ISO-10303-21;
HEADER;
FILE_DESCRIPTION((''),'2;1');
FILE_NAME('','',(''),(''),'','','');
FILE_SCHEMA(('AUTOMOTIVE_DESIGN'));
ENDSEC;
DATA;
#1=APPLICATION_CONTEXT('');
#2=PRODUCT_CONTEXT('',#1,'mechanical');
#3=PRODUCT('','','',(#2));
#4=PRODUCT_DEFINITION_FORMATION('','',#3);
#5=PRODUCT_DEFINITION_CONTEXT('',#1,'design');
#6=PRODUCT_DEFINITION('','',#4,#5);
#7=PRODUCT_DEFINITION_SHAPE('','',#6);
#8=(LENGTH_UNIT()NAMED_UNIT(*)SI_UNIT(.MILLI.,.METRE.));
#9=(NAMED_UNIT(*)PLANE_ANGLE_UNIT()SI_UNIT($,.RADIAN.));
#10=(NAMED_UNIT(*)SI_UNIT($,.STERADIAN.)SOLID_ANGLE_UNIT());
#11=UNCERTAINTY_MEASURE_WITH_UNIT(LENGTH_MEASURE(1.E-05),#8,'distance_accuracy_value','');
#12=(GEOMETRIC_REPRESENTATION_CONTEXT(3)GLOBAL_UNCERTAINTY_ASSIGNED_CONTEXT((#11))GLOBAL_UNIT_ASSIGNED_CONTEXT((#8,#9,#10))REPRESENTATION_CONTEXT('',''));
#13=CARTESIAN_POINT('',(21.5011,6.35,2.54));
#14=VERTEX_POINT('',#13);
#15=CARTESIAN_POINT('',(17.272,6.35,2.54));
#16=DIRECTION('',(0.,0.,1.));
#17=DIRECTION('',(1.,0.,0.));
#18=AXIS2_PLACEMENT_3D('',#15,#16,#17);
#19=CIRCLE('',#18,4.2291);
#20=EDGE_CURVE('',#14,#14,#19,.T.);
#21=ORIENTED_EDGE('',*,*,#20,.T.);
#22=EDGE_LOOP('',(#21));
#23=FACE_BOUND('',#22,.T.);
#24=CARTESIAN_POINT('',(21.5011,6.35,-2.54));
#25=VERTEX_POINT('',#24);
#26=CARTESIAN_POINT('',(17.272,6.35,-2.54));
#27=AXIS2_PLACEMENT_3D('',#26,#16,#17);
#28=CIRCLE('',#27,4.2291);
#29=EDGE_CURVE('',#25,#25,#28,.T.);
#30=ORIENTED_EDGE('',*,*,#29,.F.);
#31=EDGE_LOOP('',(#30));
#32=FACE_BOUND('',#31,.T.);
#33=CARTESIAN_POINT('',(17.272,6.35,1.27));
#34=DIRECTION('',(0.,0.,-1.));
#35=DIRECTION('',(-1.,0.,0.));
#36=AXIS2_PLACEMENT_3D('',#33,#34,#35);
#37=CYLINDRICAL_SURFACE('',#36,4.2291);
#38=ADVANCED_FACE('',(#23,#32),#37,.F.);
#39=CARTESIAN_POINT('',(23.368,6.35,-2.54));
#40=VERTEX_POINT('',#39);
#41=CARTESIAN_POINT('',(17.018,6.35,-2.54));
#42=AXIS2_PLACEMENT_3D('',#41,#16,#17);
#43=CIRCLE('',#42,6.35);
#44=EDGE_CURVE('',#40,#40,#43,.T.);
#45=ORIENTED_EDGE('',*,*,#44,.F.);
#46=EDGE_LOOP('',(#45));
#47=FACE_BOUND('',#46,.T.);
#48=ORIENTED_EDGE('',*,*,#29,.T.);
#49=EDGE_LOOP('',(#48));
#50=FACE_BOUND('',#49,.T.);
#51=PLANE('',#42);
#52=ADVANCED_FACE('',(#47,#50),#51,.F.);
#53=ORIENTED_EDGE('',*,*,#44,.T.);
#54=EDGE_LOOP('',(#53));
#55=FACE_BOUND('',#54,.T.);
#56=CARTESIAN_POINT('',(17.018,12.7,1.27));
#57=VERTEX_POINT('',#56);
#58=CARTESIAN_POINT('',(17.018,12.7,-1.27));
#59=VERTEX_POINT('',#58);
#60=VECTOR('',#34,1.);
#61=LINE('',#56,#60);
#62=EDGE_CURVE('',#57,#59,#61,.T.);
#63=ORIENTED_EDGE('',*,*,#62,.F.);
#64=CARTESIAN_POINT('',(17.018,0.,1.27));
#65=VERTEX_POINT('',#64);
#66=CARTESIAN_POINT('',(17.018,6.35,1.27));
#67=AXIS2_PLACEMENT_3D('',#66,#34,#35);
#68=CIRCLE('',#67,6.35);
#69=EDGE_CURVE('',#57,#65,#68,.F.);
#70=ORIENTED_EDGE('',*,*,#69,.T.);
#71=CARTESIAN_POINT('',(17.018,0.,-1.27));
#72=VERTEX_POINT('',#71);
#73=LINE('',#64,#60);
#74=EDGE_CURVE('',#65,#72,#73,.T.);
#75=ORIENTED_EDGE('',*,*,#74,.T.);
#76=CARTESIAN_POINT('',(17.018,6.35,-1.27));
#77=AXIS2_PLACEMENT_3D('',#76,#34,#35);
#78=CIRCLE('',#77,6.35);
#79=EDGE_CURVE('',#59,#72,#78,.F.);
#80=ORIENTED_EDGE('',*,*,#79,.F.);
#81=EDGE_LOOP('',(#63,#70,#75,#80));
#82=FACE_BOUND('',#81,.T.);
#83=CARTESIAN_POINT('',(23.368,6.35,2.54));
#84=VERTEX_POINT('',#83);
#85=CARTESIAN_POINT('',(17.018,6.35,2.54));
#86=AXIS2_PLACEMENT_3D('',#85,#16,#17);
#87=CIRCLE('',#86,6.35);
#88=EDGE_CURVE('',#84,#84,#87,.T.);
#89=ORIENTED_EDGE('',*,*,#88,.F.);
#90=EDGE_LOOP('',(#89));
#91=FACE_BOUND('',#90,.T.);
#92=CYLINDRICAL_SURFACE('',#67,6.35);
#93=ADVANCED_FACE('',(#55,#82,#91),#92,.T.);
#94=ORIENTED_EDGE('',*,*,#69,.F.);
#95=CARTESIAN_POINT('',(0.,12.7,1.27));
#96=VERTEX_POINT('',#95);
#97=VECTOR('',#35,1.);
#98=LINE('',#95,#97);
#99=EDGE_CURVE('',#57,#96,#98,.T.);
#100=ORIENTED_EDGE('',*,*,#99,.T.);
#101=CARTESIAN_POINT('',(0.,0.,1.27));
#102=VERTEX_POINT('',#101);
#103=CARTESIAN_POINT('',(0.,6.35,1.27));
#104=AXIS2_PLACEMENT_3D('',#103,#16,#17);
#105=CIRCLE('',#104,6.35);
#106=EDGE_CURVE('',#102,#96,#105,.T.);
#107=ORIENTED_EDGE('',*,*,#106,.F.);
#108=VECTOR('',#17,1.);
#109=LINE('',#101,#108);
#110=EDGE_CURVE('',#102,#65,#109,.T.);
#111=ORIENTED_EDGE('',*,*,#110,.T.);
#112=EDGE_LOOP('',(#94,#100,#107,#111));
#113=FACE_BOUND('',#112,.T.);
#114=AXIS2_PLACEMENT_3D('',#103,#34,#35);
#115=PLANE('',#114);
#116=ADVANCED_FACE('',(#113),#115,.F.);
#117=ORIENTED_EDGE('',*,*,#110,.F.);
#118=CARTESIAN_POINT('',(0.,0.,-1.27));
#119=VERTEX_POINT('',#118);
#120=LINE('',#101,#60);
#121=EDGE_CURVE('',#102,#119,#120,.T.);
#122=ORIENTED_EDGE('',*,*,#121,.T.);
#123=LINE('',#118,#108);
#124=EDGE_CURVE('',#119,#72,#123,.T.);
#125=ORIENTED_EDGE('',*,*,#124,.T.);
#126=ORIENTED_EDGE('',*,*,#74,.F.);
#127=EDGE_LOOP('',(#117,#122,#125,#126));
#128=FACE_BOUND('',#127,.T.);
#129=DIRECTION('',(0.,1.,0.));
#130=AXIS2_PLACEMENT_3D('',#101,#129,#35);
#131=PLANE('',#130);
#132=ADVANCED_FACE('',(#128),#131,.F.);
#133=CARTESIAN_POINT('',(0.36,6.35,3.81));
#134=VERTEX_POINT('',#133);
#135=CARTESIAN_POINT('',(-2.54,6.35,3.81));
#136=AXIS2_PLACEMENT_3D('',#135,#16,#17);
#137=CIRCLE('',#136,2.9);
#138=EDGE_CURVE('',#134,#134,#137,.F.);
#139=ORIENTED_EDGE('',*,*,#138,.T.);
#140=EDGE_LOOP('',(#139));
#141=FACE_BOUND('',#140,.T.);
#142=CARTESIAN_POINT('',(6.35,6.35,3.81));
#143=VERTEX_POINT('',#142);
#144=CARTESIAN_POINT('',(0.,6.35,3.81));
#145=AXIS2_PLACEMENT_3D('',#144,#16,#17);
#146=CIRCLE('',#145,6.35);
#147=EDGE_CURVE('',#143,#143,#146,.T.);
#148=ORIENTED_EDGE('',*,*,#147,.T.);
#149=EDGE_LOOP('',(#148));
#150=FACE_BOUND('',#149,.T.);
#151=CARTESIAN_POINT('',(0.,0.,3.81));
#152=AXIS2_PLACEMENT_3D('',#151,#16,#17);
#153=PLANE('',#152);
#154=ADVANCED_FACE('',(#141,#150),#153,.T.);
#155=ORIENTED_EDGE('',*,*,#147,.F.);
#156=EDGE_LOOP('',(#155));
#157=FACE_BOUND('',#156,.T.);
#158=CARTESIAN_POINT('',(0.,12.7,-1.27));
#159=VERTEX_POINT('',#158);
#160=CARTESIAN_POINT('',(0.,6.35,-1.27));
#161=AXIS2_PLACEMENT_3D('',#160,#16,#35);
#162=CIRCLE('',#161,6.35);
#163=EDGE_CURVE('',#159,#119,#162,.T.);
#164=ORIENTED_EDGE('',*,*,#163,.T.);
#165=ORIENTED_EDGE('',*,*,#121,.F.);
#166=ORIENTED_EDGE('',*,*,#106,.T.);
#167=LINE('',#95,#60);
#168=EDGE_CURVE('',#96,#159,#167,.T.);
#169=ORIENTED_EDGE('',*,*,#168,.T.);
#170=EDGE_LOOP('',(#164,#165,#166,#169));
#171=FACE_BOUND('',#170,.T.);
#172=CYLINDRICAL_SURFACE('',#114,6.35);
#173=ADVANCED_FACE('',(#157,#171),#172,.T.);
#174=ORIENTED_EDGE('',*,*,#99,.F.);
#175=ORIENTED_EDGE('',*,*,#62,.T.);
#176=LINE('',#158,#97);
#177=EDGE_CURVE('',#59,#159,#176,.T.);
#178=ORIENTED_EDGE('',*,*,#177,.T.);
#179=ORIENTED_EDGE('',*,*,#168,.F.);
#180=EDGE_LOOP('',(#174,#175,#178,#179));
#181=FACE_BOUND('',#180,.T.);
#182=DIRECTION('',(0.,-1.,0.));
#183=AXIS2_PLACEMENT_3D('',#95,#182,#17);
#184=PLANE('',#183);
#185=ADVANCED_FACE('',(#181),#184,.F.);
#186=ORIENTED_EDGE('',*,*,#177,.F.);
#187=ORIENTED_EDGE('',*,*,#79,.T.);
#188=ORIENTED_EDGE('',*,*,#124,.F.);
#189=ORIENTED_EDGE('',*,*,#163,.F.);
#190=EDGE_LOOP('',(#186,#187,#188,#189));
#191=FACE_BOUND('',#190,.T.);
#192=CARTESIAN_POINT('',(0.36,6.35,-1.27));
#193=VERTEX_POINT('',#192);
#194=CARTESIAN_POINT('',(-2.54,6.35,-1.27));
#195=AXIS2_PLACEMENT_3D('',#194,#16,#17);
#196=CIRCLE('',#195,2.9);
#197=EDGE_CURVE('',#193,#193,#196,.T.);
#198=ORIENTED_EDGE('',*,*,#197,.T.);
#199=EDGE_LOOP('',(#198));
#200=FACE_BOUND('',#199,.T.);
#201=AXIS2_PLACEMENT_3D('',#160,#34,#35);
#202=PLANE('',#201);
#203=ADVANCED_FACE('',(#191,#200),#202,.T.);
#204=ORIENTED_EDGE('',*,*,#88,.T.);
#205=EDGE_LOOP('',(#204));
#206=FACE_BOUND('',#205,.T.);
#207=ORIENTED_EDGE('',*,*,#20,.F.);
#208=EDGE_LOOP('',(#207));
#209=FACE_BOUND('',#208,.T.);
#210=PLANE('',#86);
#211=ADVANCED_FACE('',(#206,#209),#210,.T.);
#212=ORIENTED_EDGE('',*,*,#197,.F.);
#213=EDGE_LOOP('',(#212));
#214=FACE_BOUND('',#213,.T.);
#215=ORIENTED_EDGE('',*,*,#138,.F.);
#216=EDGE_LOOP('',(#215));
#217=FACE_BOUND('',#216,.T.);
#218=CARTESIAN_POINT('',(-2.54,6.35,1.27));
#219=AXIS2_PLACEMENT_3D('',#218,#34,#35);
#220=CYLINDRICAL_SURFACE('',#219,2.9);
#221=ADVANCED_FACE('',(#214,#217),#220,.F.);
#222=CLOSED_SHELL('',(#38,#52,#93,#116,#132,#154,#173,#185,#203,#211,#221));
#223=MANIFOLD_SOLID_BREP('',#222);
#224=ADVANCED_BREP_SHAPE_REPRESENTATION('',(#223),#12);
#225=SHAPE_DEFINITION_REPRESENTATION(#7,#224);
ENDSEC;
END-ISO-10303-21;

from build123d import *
from build123d.topology import SkipClean

# Parameters (mm, degrees)
SKETCH1_R           = 2.9
SKETCH1_R_2         = 4.2291
BOSS_EXTRUDE1_DEPTH = 1.27
BOSS_EXTRUDE2_START = 2.54
SKETCH2_R           = 2.9
BOSS_EXTRUDE2_DEPTH = 2.54
SKETCH4_R           = 6.35
SKETCH4_R_2         = 4.2291
BOSS_EXTRUDE4_DEPTH = 2.54


with BuildPart() as part:
    # Sketch1 → Boss-Extrude1 (new, symmetric)
    with BuildSketch(Plane.XY):
        with BuildLine():
            Line((0, 12.7), (17.018, 12.7))
            ThreePointArc((17.018, 12.7), (23.368, 6.35), (17.018, 0))
            Line((17.018, 0), (0, 0))
            ThreePointArc((0, 0), (-6.35, 6.35), (0, 12.7))
        make_face()
        with Locations((-2.54, 6.35)):
            Circle(SKETCH1_R, mode=Mode.SUBTRACT)
        with Locations((17.272, 6.35)):
            Circle(SKETCH1_R_2, mode=Mode.SUBTRACT)
    extrude(amount=BOSS_EXTRUDE1_DEPTH, both=True)

    # Sketch2 → Boss-Extrude2 (add)
    with SkipClean():  # the faces are left unmerged after this step: merging them gives an invalid solid
        with BuildSketch(Plane.XY.offset(1.27).offset(BOSS_EXTRUDE2_START)):
            with BuildLine():
                ThreePointArc((0, 0), (4.490128061, 1.859871939), (6.35, 6.35))
                ThreePointArc((6.35, 6.35), (4.490128061, 10.840128061), (0, 12.7))
                ThreePointArc((0, 12.7), (-6.35, 6.35), (0, 0))
            make_face()
            with Locations((-2.54, 6.35)):
                Circle(SKETCH2_R, mode=Mode.SUBTRACT)
        extrude(amount=-BOSS_EXTRUDE2_DEPTH)

    # Sketch4 → Boss-Extrude4 (add, symmetric)
    with SkipClean():  # the faces are left unmerged after this step: merging them gives an invalid solid
        with BuildSketch(Plane.XY):
            with Locations((17.018, 6.35)):
                Circle(SKETCH4_R)
            with Locations((17.272, 6.35)):
                Circle(SKETCH4_R_2, mode=Mode.SUBTRACT)
        extrude(amount=BOSS_EXTRUDE4_DEPTH, both=True)


solid = part.part
